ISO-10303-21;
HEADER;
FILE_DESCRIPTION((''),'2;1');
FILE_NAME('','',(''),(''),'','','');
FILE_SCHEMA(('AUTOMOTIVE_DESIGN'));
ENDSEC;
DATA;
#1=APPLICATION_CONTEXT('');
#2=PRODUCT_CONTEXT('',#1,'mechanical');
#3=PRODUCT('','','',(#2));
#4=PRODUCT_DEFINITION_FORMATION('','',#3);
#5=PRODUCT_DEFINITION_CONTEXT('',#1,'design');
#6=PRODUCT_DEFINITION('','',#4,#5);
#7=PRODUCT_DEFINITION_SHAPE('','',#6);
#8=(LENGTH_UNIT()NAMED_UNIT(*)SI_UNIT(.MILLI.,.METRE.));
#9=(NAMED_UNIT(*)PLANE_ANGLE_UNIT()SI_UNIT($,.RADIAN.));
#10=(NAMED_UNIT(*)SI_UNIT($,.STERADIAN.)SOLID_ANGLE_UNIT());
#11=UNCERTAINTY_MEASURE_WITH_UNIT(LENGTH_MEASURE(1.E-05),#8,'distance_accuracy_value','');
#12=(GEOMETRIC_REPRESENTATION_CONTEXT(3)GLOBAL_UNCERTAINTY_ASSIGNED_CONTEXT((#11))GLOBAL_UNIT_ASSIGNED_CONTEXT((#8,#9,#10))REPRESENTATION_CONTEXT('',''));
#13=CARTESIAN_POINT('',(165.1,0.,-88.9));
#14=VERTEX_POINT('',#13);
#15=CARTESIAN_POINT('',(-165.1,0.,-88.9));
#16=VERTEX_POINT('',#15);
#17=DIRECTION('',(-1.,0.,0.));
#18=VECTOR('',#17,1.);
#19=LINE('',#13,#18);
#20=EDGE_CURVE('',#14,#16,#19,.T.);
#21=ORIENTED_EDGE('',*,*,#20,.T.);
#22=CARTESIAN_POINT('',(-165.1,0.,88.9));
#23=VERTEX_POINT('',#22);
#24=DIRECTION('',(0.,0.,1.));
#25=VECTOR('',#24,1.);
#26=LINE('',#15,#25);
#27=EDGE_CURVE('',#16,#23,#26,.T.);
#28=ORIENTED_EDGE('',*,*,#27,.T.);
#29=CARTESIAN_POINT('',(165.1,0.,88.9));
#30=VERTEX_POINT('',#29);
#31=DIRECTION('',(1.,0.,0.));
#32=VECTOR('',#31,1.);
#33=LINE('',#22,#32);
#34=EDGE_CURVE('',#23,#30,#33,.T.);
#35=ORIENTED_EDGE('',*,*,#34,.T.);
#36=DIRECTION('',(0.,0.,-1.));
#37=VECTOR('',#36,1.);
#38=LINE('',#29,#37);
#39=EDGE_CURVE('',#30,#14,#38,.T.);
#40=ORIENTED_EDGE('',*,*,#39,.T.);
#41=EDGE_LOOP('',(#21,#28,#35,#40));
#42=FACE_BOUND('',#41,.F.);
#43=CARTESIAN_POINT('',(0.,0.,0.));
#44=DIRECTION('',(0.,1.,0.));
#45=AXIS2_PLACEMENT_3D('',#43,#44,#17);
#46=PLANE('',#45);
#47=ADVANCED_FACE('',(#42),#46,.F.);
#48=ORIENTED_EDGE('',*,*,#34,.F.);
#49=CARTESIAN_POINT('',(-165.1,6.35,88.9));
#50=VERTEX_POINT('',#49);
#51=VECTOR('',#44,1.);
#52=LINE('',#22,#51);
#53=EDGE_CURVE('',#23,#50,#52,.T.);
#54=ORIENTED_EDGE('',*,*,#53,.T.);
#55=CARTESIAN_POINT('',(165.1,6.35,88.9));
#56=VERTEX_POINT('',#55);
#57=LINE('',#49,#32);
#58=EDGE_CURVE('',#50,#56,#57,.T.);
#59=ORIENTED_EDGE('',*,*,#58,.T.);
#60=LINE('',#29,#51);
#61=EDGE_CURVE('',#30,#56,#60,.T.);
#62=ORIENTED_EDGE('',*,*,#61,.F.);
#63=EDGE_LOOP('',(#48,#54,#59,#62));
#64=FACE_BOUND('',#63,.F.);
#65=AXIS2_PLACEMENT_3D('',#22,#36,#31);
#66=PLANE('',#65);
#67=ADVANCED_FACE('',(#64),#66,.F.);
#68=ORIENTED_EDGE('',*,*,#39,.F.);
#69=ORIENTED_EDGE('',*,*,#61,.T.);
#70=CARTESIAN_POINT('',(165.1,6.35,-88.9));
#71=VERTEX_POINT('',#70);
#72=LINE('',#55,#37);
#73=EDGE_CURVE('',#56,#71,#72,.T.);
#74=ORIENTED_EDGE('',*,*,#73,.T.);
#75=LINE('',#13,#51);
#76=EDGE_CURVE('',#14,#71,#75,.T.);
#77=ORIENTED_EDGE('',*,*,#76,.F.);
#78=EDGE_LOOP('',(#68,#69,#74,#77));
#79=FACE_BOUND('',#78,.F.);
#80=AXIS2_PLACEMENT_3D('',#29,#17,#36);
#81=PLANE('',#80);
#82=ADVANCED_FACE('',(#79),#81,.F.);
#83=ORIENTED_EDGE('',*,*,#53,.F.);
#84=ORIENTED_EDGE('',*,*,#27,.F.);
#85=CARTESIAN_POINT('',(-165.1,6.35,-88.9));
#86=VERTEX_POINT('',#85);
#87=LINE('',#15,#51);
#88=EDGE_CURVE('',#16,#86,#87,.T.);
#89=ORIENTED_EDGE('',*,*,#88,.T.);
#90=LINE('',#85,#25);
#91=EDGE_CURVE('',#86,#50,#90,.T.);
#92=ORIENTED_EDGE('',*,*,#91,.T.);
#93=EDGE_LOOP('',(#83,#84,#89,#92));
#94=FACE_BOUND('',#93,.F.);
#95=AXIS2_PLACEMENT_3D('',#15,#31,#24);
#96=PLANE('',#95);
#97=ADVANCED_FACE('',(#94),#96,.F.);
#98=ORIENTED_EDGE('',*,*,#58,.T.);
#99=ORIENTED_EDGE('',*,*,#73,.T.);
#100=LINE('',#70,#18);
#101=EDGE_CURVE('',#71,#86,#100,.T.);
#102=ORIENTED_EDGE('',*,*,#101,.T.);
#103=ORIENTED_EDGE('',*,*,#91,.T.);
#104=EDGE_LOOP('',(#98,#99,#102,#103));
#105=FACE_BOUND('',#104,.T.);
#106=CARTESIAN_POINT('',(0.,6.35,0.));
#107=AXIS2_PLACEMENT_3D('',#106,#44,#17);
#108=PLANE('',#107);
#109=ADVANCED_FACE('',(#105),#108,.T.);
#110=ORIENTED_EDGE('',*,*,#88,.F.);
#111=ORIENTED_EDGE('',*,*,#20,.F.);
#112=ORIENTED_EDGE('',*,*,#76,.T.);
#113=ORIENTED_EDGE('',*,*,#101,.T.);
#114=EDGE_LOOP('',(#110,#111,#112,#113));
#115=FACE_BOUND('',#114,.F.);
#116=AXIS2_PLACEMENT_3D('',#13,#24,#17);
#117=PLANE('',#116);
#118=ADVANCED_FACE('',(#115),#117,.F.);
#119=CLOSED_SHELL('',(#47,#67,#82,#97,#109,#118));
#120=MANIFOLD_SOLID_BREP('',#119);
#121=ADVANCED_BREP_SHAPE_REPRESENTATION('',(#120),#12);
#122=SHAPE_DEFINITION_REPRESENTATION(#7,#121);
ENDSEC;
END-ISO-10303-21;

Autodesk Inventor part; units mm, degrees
ref_plane "YZ Plane" through (0, 0, 0) normal (1, 0, 0) x (0, 1, 0)
ref_plane "XZ Plane" through (0, 0, 0) normal (0, 1, 0) x (-1, 0, 0)
ref_plane "XY Plane" through (0, 0, 0) normal (0, 0, 1) x (1, 0, 0)
sketch "Sketch1" plane through (0, 0, 0) normal (0, 1, 0) x (-1, 0, 0)
  line L0 (165.1, 88.9) -> (-165.1, 88.9)
  line L1 (-165.1, 88.9) -> (-165.1, -88.9)
  line L2 (-165.1, -88.9) -> (165.1, -88.9)
  line L3 (165.1, -88.9) -> (165.1, 88.9)
  line L4 (165.1, 88.9) -> (-165.1, -88.9) construction
  line L5 (-165.1, 88.9) -> (165.1, -88.9) construction
  point P0 (0, 0)
  dimension "d0" = 330.2
  dimension "d1" = 177.8
extrude "Extrusion1" add sketch "Sketch1" along normal blind 6.35
properties part number "panel_14x7" material "Glass"
